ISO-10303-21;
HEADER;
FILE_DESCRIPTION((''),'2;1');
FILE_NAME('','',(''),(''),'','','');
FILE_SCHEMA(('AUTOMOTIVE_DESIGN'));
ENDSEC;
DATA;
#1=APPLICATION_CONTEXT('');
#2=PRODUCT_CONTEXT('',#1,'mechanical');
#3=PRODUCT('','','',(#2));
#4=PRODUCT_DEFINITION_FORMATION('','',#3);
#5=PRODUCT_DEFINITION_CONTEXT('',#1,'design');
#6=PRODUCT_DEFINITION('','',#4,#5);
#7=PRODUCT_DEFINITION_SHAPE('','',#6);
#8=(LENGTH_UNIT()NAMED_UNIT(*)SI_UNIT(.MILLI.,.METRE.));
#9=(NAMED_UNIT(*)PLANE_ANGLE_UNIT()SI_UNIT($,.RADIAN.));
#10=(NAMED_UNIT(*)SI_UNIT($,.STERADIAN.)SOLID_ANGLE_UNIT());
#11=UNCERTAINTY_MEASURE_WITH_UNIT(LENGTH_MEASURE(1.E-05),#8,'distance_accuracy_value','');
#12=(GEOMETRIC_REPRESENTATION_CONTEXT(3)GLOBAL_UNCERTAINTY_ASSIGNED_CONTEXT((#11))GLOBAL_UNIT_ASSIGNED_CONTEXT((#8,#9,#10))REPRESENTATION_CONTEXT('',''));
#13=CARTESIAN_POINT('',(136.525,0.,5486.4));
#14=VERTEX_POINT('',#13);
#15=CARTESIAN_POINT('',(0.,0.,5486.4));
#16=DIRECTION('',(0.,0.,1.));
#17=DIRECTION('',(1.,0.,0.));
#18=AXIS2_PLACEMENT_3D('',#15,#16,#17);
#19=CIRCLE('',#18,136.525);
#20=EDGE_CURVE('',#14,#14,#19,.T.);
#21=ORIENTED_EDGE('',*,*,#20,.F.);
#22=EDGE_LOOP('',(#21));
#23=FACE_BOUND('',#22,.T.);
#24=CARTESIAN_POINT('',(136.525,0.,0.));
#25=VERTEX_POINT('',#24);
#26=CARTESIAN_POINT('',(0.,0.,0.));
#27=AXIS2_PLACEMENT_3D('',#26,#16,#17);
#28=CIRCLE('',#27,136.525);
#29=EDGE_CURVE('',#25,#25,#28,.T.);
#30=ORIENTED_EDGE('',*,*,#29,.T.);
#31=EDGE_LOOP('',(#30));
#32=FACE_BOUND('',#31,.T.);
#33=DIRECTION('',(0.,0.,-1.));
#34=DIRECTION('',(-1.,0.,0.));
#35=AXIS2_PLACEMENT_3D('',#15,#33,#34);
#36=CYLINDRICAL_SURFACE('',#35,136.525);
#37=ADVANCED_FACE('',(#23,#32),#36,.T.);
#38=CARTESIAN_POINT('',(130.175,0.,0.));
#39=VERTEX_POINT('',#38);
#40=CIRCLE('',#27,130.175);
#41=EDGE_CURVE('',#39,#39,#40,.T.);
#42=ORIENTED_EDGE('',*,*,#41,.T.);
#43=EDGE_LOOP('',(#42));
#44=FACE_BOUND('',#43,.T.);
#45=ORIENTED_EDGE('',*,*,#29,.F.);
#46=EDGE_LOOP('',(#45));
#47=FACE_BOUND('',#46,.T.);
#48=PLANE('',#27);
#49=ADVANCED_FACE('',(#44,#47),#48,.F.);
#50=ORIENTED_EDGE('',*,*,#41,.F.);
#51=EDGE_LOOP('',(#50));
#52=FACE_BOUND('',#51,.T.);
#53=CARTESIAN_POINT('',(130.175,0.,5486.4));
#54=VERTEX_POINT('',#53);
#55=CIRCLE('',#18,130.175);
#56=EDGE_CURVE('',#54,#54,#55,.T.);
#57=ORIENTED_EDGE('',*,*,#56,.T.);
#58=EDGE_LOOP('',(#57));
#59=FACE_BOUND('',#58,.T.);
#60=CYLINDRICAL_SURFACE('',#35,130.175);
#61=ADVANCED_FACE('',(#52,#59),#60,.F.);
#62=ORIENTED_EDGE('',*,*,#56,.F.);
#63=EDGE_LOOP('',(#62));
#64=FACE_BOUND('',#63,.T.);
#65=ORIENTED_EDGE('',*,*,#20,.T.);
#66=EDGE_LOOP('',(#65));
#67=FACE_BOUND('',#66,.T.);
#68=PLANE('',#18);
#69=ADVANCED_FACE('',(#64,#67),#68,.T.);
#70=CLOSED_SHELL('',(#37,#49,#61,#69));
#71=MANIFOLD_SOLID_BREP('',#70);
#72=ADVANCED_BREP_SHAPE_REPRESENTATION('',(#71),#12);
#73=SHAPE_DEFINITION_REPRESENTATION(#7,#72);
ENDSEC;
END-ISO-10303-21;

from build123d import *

# Parameters (mm, degrees)
PIPESKETCH_R    = 136.525
PIPESKETCH_R_2  = 130.175
EXTRUSION_DEPTH = 5486.4


with BuildPart() as part:
    # PipeSketch → Extrusion (new body)
    with BuildSketch(Plane.XY):
        Circle(PIPESKETCH_R)
        Circle(PIPESKETCH_R_2, mode=Mode.SUBTRACT)
    extrude(amount=EXTRUSION_DEPTH)


solid = part.part
